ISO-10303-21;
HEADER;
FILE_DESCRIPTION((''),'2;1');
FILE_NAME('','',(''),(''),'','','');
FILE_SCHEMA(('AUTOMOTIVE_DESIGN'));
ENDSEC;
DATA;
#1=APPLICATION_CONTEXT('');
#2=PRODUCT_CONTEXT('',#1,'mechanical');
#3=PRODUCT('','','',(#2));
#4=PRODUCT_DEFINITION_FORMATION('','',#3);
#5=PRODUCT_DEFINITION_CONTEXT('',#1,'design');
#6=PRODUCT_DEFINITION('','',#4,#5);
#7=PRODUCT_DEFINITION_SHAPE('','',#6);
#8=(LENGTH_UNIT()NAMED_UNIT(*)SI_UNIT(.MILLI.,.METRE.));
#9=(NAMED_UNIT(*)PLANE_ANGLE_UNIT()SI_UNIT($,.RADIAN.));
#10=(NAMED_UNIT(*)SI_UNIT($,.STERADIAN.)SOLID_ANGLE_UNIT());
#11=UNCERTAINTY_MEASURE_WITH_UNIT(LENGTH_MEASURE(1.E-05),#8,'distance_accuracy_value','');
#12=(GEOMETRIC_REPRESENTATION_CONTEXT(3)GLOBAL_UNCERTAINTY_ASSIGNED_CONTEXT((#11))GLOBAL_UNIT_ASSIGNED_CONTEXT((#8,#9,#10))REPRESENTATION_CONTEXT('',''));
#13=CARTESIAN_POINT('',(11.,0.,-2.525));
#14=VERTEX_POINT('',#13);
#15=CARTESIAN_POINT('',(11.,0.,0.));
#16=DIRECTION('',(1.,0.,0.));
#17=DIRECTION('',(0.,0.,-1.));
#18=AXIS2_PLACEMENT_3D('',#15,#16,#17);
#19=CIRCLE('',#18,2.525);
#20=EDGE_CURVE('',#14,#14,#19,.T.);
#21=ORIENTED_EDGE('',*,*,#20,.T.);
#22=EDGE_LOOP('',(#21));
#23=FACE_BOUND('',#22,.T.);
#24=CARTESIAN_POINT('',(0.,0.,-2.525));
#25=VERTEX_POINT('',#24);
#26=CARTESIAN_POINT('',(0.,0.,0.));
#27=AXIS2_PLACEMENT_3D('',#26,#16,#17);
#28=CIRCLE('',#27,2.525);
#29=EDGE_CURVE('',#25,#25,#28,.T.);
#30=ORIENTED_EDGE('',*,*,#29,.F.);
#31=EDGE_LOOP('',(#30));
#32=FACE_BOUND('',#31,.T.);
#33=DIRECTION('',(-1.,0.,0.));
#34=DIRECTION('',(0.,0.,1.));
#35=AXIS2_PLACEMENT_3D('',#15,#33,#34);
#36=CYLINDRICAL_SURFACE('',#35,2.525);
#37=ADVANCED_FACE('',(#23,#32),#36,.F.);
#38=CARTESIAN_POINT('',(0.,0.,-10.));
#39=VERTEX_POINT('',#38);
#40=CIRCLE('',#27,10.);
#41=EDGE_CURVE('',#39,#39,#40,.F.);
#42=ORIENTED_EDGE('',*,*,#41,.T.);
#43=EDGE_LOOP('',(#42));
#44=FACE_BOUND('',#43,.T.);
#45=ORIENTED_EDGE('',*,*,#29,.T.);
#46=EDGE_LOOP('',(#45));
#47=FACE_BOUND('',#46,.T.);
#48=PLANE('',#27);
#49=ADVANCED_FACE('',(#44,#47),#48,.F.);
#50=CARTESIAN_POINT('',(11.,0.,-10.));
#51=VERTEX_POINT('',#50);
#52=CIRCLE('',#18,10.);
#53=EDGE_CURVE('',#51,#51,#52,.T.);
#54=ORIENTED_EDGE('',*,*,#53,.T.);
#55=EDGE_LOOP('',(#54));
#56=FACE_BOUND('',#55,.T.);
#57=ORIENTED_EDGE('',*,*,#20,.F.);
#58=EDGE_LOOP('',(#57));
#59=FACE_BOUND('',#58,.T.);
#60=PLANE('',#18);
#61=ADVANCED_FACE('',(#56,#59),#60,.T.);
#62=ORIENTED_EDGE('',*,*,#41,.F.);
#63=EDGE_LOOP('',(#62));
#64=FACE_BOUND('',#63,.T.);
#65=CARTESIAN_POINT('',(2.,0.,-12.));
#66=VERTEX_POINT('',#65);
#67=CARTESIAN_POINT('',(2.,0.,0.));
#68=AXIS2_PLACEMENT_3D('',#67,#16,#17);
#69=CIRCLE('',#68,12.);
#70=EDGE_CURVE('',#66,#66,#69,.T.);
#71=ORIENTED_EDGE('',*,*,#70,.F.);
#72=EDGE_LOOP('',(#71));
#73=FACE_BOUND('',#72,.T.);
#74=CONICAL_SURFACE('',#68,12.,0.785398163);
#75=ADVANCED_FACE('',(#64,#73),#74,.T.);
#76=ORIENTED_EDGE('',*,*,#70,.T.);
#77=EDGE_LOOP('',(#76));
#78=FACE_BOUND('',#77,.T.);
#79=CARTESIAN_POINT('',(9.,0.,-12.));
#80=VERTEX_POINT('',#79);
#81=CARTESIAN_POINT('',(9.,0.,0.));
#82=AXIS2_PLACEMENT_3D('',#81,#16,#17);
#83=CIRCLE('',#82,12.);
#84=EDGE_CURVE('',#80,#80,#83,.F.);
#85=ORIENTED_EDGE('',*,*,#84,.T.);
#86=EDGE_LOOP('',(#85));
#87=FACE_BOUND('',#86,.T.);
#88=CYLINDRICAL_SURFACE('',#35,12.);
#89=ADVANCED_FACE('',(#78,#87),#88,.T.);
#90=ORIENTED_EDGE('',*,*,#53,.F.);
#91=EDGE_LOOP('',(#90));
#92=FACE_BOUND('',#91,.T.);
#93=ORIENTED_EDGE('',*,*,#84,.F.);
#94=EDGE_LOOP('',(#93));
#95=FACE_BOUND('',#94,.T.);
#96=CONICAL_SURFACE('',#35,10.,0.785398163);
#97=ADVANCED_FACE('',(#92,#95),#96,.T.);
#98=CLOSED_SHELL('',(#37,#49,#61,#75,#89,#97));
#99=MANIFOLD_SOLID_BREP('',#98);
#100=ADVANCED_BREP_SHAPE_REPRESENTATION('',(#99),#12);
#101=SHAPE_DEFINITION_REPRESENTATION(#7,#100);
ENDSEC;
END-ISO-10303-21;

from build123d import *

# Parameters (mm, degrees)
SKETCH1_R           = 12
SKETCH1_R_2         = 2.525
BOSS_EXTRUDE1_DEPTH = 11
CHAMFER1_SIZE       = 2


with BuildPart() as part:
    # Sketch1 → Boss-Extrude1 (new body)
    with BuildSketch(Plane(origin=(0, 0, 0), x_dir=(0, 0, -1), z_dir=(1, 0, 0))):
        Circle(SKETCH1_R)
        Circle(SKETCH1_R_2, mode=Mode.SUBTRACT)
    extrude(amount=BOSS_EXTRUDE1_DEPTH)

    # Chamfer1
    chamfer1_edges = [part.edges().sort_by_distance(p)[0] for p in [
        (0, 0, 12),
        (11, 0, 12),
    ]]
    chamfer(chamfer1_edges, length=CHAMFER1_SIZE)


solid = part.part
